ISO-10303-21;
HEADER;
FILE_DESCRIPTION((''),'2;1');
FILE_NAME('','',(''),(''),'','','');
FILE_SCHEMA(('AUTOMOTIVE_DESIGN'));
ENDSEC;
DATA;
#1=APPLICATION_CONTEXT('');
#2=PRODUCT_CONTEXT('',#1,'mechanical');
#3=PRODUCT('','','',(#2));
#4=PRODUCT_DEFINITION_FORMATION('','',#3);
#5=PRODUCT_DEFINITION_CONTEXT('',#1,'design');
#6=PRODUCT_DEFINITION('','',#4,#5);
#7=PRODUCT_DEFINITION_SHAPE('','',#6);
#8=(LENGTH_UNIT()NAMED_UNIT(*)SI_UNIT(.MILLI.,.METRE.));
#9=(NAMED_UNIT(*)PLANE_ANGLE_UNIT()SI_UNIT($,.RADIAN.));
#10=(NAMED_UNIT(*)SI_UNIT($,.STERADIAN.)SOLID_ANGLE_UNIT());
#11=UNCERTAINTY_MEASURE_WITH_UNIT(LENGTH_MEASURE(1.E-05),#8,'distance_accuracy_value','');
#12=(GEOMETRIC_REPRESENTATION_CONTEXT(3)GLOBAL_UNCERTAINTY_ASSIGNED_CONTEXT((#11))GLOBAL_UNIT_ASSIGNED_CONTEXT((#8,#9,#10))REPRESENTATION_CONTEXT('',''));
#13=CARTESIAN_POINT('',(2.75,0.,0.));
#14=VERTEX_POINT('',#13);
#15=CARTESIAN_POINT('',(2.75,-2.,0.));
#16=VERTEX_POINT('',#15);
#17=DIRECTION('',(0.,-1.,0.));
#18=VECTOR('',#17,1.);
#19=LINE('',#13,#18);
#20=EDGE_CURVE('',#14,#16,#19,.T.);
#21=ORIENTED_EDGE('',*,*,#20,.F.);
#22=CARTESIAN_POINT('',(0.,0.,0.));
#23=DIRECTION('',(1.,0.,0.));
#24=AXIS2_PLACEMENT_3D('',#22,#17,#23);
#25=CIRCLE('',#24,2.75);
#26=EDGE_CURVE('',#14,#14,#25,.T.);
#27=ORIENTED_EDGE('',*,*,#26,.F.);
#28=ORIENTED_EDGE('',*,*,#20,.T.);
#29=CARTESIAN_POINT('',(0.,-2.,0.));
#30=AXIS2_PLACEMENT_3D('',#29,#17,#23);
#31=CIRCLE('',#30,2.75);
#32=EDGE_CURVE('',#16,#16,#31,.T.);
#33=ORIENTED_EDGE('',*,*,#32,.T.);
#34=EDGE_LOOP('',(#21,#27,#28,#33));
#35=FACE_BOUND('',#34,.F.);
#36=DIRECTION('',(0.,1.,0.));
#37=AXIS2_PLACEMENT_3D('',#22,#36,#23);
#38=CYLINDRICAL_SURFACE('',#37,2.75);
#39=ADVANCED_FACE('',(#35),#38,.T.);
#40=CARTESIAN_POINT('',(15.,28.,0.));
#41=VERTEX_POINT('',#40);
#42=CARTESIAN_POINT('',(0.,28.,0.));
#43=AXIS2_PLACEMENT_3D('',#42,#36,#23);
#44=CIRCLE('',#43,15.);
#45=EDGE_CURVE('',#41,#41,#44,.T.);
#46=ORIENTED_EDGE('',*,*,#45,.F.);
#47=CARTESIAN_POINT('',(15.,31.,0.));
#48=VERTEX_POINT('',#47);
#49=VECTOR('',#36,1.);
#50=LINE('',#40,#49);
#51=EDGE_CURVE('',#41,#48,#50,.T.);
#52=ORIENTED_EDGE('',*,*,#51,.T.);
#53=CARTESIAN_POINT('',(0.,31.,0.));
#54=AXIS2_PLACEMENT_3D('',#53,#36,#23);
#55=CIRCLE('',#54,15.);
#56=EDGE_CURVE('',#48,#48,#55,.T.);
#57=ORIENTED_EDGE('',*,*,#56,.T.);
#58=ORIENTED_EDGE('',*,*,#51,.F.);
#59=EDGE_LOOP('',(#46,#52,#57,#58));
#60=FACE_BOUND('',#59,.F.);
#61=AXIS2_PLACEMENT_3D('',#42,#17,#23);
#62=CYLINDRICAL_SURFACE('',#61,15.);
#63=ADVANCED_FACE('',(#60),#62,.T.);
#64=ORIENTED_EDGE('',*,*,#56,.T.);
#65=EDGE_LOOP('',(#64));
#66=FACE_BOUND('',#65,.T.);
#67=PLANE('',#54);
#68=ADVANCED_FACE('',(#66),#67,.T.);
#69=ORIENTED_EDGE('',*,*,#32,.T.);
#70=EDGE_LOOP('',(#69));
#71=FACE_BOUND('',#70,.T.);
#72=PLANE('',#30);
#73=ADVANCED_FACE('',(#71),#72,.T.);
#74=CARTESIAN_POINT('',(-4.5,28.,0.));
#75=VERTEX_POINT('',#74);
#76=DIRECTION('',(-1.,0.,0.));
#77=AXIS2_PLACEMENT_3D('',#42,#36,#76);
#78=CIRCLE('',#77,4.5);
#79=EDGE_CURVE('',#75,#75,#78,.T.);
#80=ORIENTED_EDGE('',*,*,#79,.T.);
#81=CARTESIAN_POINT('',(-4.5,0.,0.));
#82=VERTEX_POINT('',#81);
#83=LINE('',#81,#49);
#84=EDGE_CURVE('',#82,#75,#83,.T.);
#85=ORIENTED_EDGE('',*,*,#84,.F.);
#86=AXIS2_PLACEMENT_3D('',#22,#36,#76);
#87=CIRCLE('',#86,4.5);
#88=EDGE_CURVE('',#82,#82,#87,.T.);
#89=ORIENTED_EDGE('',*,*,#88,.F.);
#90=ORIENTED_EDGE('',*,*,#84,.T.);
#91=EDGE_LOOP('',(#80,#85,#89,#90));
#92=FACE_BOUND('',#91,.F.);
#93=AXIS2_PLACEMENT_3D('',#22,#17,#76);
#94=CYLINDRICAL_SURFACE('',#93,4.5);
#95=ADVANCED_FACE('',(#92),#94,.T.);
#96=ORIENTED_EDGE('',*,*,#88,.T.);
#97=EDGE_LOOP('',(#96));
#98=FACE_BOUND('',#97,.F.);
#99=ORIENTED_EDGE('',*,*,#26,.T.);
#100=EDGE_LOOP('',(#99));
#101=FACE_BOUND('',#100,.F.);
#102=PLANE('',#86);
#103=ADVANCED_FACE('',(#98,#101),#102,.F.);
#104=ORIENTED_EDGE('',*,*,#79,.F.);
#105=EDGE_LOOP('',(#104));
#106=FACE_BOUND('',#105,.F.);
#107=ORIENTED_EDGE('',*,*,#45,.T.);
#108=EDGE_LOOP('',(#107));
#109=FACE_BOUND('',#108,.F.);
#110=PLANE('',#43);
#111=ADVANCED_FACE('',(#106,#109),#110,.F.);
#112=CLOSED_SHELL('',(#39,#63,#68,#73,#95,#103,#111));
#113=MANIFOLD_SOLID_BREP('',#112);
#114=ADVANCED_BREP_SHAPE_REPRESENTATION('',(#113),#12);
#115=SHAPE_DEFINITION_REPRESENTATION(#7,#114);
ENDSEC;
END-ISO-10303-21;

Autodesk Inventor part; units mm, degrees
ref_plane "YZ Plane" through (0, 0, 0) normal (1, 0, 0) x (0, 1, 0)
ref_plane "XZ Plane" through (0, 0, 0) normal (0, 1, 0) x (-1, 0, 0)
ref_plane "XY Plane" through (0, 0, 0) normal (0, 0, 1) x (1, 0, 0)
sketch "Sketch1" plane through (0, 0, 0) normal (0, 1, 0) x (-1, 0, 0)
  circle A0 centre (0, 0) radius 4.5
  dimension "d0" = 9
extrude "Extrusion1" add sketch "Sketch1" along normal blind 28
sketch "Sketch2" plane through (0, 0, 0) normal (0, -1, 0) x (1, 0, 0)
  circle A0 centre (0, 0) radius 2.75
  dimension "d3" = 5.5
extrude "Extrusion2" add sketch "Sketch2" along normal blind 2
sketch "Sketch3" plane through (0, 28, 0) normal (0, 1, 0) x (1, 0, 0)
  circle A0 centre (0, 0) radius 2.75 projected
  circle A1 centre (0, 0) radius 15
  dimension "d6" = 30
extrude "Extrusion3" add sketch "Sketch3" along normal blind 3 contours A0 | A1
properties part number "fsrTop"
